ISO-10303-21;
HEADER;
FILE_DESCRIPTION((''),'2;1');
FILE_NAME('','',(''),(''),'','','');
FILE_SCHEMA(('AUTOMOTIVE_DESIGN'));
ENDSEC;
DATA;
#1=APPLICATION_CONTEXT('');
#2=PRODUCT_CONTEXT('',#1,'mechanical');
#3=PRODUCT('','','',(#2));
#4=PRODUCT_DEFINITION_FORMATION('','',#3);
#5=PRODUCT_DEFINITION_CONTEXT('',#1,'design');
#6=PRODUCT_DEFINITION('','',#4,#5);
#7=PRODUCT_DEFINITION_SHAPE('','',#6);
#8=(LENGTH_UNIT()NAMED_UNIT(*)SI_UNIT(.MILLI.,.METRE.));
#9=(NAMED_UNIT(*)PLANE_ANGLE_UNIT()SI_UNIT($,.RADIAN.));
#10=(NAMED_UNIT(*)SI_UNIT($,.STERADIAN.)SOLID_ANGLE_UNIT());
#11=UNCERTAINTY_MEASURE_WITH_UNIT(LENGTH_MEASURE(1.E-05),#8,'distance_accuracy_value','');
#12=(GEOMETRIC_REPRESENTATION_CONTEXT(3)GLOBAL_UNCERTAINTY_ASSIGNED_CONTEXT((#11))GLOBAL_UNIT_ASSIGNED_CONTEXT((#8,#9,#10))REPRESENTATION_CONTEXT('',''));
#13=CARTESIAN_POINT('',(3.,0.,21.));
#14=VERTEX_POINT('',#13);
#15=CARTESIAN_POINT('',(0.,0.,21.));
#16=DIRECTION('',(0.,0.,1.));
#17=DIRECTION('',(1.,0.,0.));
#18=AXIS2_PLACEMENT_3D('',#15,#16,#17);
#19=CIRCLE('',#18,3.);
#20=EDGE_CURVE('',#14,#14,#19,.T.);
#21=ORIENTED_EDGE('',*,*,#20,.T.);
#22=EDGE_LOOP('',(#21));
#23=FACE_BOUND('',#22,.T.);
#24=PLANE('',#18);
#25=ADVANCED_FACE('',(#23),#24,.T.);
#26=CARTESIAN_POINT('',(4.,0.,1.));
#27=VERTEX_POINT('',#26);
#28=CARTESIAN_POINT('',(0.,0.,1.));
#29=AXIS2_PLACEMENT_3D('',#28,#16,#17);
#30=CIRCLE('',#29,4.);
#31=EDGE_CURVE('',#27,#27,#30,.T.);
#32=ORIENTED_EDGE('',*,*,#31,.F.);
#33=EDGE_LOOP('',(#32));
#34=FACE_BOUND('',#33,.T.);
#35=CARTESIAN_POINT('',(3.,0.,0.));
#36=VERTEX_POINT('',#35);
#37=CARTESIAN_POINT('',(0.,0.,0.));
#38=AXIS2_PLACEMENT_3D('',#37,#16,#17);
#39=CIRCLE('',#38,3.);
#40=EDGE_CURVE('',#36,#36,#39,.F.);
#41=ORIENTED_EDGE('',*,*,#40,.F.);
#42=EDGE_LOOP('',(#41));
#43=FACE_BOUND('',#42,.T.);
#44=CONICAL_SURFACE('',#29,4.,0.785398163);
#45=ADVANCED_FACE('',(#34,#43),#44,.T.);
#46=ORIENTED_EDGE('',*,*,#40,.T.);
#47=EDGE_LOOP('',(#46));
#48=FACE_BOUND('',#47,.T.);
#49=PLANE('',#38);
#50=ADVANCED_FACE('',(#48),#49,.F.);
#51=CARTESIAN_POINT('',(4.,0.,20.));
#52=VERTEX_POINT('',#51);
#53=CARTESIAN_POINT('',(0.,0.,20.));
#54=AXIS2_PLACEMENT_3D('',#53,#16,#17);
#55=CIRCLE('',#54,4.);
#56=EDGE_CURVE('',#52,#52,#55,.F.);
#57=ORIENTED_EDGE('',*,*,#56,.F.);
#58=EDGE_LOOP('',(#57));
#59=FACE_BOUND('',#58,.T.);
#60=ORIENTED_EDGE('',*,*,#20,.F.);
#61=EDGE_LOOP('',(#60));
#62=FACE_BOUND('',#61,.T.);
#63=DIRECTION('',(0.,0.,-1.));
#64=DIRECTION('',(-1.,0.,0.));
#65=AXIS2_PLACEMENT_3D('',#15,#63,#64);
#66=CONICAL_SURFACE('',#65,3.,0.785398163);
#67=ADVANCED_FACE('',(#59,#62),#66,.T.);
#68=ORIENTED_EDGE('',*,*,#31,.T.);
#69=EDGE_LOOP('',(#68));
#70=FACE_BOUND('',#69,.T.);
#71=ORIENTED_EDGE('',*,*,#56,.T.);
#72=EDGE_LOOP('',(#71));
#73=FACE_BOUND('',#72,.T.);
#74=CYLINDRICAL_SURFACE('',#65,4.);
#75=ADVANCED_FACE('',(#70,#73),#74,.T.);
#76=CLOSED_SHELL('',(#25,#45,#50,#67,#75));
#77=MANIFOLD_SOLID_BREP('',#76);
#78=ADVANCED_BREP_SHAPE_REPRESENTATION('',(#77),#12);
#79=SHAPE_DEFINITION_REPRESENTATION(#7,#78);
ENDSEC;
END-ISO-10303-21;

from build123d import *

# Parameters (mm, degrees)
SKETCH1_R           = 4
BOSS_EXTRUDE1_DEPTH = 21
CHAMFER1_SIZE       = 1


with BuildPart() as part:
    # Sketch1 → Boss-Extrude1 (new body)
    with BuildSketch(Plane.XY):
        Circle(SKETCH1_R)
    extrude(amount=BOSS_EXTRUDE1_DEPTH)

    # Chamfer1
    chamfer1_edges = [part.edges().sort_by_distance(p)[0] for p in [
        (-4, 0, 0),
        (-4, 0, 21),
    ]]
    chamfer(chamfer1_edges, length=CHAMFER1_SIZE)


solid = part.part
